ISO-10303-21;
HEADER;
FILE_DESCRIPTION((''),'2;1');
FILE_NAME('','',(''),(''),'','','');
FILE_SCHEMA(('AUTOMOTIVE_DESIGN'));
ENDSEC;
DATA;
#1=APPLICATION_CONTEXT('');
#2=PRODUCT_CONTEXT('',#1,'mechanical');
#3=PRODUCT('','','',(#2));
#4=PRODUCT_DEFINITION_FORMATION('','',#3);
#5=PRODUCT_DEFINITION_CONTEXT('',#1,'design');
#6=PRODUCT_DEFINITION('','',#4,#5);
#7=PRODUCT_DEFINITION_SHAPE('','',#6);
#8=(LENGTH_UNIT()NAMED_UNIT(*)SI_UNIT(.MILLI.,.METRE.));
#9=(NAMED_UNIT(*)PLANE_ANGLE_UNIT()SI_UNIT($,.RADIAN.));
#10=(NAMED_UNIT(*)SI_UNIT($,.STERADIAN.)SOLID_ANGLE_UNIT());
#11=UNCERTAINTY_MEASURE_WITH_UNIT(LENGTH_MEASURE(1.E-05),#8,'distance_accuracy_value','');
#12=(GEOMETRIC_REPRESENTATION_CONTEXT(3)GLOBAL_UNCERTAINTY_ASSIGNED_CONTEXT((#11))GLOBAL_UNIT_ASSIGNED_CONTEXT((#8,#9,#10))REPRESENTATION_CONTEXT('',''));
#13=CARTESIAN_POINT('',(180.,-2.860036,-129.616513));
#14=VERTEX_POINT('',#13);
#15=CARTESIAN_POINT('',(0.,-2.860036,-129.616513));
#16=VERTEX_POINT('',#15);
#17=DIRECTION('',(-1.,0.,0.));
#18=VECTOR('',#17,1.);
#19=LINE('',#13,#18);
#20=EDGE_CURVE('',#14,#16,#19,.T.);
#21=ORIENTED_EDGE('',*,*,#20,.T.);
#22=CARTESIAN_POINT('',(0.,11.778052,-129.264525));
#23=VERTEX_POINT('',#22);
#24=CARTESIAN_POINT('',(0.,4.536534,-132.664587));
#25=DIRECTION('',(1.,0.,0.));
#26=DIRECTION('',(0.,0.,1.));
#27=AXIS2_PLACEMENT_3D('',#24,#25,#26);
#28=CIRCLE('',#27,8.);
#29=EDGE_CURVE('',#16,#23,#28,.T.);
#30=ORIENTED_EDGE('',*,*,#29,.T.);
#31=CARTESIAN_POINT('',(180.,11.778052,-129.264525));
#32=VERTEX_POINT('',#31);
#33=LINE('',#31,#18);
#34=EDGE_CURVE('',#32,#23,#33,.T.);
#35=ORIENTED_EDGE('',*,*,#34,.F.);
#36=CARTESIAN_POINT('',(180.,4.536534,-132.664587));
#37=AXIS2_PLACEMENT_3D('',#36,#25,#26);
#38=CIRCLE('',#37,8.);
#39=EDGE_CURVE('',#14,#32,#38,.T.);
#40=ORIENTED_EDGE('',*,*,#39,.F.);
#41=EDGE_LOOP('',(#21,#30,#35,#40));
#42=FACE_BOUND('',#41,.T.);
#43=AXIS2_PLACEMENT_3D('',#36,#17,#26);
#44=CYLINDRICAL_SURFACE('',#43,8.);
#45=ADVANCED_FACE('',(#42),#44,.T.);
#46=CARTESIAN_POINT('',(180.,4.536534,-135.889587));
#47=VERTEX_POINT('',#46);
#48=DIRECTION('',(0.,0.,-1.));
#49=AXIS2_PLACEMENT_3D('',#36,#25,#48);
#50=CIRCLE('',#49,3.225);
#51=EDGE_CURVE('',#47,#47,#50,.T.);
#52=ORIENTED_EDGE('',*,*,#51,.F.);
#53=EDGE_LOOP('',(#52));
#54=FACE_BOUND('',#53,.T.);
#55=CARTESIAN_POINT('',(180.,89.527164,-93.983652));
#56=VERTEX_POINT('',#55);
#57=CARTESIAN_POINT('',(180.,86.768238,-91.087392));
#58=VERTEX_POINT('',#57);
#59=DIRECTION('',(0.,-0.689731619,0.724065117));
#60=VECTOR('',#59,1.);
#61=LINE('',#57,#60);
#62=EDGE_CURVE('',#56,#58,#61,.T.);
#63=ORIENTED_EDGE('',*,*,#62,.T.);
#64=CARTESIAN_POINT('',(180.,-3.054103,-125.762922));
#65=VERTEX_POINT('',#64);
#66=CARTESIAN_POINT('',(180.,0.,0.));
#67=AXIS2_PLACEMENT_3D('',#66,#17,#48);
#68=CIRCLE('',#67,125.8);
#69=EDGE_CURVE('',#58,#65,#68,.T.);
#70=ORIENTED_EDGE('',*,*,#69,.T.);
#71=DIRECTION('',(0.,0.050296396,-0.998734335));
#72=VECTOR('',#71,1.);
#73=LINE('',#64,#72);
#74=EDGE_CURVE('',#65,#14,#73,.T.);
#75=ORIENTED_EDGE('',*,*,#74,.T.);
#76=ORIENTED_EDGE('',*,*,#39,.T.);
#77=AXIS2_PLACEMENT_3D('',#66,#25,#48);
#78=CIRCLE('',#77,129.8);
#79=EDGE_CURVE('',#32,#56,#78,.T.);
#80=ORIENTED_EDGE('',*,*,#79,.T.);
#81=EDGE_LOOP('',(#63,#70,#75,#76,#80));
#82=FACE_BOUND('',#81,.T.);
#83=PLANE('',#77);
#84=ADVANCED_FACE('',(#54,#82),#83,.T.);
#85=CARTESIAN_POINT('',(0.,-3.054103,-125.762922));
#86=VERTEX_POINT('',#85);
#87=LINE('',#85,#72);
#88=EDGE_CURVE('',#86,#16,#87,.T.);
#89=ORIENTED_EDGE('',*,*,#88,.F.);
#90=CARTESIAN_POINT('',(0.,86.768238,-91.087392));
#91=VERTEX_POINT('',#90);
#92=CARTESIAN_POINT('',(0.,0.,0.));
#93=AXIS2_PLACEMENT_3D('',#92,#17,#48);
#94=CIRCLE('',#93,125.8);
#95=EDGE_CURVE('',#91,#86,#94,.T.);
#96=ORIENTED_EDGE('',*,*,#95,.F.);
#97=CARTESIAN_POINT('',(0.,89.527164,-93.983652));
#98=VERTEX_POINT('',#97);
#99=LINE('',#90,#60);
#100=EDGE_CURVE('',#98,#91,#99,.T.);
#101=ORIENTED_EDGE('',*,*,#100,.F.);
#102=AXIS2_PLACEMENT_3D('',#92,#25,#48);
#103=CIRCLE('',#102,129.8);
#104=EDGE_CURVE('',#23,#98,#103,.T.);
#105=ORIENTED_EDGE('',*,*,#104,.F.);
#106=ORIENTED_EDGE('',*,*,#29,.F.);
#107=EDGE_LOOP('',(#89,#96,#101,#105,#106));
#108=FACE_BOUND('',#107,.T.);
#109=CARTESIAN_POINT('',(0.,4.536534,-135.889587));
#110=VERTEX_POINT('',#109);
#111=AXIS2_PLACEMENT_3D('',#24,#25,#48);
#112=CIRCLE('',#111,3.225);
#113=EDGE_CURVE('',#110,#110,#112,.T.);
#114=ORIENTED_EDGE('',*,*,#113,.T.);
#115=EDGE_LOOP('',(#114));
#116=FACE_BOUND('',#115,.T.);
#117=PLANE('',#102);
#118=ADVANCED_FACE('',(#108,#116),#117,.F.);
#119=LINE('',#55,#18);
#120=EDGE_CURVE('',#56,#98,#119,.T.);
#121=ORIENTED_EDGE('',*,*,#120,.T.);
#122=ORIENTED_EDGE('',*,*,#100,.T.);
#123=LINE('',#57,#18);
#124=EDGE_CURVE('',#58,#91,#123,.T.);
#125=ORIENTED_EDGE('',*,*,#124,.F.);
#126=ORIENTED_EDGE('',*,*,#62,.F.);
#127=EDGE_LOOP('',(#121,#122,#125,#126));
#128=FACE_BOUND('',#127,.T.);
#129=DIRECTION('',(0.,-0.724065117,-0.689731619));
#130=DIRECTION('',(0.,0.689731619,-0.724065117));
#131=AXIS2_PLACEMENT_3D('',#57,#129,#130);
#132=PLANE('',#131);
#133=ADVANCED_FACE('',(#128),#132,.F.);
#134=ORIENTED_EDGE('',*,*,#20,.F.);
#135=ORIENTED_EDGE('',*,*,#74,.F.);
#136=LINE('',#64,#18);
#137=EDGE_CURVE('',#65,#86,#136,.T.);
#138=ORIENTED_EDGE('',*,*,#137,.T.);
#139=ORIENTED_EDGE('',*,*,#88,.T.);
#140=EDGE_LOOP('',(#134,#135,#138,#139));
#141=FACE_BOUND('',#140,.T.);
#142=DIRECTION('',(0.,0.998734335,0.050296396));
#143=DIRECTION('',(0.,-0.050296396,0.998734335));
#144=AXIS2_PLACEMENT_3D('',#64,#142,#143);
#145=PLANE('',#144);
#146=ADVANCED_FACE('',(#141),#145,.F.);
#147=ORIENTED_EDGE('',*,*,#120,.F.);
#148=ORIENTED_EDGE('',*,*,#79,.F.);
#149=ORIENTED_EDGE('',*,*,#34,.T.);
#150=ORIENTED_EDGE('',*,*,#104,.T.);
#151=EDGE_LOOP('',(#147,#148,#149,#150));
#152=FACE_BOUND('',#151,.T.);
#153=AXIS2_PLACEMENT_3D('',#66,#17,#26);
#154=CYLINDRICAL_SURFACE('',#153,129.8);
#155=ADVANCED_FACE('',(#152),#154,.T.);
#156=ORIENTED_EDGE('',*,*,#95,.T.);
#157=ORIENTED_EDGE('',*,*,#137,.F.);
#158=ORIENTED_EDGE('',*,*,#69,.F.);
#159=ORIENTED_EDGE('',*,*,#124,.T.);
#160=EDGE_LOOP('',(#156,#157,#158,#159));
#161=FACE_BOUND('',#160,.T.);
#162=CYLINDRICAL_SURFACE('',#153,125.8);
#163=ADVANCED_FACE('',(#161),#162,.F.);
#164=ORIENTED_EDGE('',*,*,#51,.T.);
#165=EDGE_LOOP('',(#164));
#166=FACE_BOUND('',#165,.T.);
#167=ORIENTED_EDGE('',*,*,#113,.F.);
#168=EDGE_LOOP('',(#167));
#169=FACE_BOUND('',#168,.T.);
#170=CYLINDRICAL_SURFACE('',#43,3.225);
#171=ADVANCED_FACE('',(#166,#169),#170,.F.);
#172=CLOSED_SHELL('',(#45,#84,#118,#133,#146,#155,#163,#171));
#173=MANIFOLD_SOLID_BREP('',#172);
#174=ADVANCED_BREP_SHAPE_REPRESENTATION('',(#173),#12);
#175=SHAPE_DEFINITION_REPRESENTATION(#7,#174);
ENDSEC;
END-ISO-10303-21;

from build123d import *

# Parameters (mm, degrees)
SKETCH1_R           = 3.225
BOSS_EXTRUDE1_DEPTH = 180


with BuildPart() as part:
    # Sketch1 → Boss-Extrude1 (new body)
    with BuildSketch(Plane(origin=(0, 0, 0), x_dir=(0, 0, -1), z_dir=(1, 0, 0))):
        with BuildLine():
            Line((91.08739178, 86.768237615), (93.983652249, 89.527164089))
            ThreePointArc((93.983652249, 89.527164089), (118.199696764, 53.636477187), (129.264525293, 11.778051656))
            ThreePointArc((129.264525293, 11.778051656), (140.662275505, 4.728846729), (129.616513334, -2.860035801))
            Line((129.616513334, -2.860035801), (125.762921617, -3.054103199))
            ThreePointArc((125.762921617, -3.054103199), (117.358543926, 45.305763073), (91.08739178, 86.768237615))
        make_face()
        with Locations((132.664587351, 4.536533997)):
            Circle(SKETCH1_R, mode=Mode.SUBTRACT)
    extrude(amount=BOSS_EXTRUDE1_DEPTH)


solid = part.part
